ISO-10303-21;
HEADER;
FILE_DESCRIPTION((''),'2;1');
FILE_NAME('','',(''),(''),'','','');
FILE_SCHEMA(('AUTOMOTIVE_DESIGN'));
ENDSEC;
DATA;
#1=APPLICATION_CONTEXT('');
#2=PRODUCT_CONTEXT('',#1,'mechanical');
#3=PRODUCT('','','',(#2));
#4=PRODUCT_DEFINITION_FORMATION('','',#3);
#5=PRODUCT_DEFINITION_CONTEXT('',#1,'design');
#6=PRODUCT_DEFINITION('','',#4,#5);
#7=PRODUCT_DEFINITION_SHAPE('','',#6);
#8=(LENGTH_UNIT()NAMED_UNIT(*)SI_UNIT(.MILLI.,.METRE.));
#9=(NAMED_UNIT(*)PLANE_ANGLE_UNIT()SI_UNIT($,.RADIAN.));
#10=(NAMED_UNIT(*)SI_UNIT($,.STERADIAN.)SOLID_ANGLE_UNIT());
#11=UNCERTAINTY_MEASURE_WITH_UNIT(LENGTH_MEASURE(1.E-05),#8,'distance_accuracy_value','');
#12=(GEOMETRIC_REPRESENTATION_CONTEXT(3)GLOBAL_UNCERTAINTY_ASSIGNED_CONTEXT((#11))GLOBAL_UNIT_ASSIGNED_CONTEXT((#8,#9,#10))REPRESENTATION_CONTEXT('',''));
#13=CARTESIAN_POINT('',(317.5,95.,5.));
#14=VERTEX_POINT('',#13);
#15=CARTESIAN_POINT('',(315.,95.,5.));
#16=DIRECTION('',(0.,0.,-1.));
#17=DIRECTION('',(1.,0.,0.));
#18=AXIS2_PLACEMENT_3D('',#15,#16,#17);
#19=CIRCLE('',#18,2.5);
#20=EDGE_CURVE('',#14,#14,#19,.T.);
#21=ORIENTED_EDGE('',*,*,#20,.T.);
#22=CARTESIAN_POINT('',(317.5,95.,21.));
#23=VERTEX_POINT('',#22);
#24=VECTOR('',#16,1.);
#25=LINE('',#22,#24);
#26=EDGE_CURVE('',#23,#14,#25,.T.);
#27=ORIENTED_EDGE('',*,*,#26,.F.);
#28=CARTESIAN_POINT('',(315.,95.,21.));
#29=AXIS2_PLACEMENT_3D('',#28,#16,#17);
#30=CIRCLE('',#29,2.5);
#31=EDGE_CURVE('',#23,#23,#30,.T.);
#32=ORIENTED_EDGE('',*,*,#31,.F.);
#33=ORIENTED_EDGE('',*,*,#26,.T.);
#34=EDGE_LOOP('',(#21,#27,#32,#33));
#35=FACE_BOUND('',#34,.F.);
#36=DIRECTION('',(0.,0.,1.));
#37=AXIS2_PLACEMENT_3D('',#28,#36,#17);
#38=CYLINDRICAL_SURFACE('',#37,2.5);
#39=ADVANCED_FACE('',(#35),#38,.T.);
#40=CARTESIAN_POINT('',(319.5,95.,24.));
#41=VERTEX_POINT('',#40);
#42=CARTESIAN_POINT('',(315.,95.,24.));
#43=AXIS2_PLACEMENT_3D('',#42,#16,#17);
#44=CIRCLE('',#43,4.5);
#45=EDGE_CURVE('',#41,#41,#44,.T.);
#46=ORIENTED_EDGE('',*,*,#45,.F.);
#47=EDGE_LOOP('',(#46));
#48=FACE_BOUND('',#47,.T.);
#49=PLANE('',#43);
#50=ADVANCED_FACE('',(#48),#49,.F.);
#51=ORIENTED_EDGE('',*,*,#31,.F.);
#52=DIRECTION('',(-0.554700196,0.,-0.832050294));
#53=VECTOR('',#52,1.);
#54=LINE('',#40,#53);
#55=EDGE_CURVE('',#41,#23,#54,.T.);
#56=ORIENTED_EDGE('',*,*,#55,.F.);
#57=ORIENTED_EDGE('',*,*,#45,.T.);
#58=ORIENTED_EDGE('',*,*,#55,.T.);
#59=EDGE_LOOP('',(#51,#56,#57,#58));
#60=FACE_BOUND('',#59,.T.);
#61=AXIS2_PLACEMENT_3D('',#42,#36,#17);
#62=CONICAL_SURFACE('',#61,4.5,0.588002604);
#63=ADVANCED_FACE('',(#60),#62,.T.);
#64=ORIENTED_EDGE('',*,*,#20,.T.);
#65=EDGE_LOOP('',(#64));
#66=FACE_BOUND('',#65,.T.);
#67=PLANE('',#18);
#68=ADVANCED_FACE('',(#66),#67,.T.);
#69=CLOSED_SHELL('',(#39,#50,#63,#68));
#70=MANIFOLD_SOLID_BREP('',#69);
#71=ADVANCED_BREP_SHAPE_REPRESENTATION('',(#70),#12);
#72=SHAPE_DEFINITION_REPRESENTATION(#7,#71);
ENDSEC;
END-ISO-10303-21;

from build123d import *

# Parameters (mm, degrees)
CYLINDER011_R                   = 2.5
CYLINDER011_DEPTH               = 16
FUSION001018017_PLACEMENT_ANGLE = 180
CLONE017_PLACEMENT_ANGLE        = 180


with BuildPart() as cone003:
    # Cone003 → Cone003 (revolve)
    with BuildSketch(Plane(origin=(0, 0, -3), x_dir=(1, 0, 0), z_dir=(0, -1, 0))):
        Polygon((0, 0), (4.5, 0), (2.5, 3), (0, 3), align=None)
    revolve(axis=Axis((0, 0, -3), (0, 0, 1)))


with BuildPart() as m5x16_senkkopf012:
    # Cylinder011 → Cylinder011 (new body)
    with BuildSketch(Plane.XY):
        Circle(CYLINDER011_R)
    extrude(amount=CYLINDER011_DEPTH)

    # Fusion001018017: union Cone003
    add(cone003.part)


with BuildPart() as m5x16_senkkopf012_1:
    # Fusion001018017 placement: moved
    add(m5x16_senkkopf012.part.moved(Location((45, 15, 21))).rotate(Axis((45, 15, 21), (0, 1, 0)), FUSION001018017_PLACEMENT_ANGLE))


with BuildPart() as m5x16_senkkopf012_2:
    # Clone017 placement: moved
    add(m5x16_senkkopf012_1.part.moved(Location((90, 110, 0))).rotate(Axis((90, 110, 0), (0, 0, 1)), CLONE017_PLACEMENT_ANGLE))


with BuildPart() as m5x16_senkkopf012_3:
    # Clone028 placement: moved
    add(m5x16_senkkopf012_2.part.moved(Location((270, 0, 0))))


solid = m5x16_senkkopf012_3.part
